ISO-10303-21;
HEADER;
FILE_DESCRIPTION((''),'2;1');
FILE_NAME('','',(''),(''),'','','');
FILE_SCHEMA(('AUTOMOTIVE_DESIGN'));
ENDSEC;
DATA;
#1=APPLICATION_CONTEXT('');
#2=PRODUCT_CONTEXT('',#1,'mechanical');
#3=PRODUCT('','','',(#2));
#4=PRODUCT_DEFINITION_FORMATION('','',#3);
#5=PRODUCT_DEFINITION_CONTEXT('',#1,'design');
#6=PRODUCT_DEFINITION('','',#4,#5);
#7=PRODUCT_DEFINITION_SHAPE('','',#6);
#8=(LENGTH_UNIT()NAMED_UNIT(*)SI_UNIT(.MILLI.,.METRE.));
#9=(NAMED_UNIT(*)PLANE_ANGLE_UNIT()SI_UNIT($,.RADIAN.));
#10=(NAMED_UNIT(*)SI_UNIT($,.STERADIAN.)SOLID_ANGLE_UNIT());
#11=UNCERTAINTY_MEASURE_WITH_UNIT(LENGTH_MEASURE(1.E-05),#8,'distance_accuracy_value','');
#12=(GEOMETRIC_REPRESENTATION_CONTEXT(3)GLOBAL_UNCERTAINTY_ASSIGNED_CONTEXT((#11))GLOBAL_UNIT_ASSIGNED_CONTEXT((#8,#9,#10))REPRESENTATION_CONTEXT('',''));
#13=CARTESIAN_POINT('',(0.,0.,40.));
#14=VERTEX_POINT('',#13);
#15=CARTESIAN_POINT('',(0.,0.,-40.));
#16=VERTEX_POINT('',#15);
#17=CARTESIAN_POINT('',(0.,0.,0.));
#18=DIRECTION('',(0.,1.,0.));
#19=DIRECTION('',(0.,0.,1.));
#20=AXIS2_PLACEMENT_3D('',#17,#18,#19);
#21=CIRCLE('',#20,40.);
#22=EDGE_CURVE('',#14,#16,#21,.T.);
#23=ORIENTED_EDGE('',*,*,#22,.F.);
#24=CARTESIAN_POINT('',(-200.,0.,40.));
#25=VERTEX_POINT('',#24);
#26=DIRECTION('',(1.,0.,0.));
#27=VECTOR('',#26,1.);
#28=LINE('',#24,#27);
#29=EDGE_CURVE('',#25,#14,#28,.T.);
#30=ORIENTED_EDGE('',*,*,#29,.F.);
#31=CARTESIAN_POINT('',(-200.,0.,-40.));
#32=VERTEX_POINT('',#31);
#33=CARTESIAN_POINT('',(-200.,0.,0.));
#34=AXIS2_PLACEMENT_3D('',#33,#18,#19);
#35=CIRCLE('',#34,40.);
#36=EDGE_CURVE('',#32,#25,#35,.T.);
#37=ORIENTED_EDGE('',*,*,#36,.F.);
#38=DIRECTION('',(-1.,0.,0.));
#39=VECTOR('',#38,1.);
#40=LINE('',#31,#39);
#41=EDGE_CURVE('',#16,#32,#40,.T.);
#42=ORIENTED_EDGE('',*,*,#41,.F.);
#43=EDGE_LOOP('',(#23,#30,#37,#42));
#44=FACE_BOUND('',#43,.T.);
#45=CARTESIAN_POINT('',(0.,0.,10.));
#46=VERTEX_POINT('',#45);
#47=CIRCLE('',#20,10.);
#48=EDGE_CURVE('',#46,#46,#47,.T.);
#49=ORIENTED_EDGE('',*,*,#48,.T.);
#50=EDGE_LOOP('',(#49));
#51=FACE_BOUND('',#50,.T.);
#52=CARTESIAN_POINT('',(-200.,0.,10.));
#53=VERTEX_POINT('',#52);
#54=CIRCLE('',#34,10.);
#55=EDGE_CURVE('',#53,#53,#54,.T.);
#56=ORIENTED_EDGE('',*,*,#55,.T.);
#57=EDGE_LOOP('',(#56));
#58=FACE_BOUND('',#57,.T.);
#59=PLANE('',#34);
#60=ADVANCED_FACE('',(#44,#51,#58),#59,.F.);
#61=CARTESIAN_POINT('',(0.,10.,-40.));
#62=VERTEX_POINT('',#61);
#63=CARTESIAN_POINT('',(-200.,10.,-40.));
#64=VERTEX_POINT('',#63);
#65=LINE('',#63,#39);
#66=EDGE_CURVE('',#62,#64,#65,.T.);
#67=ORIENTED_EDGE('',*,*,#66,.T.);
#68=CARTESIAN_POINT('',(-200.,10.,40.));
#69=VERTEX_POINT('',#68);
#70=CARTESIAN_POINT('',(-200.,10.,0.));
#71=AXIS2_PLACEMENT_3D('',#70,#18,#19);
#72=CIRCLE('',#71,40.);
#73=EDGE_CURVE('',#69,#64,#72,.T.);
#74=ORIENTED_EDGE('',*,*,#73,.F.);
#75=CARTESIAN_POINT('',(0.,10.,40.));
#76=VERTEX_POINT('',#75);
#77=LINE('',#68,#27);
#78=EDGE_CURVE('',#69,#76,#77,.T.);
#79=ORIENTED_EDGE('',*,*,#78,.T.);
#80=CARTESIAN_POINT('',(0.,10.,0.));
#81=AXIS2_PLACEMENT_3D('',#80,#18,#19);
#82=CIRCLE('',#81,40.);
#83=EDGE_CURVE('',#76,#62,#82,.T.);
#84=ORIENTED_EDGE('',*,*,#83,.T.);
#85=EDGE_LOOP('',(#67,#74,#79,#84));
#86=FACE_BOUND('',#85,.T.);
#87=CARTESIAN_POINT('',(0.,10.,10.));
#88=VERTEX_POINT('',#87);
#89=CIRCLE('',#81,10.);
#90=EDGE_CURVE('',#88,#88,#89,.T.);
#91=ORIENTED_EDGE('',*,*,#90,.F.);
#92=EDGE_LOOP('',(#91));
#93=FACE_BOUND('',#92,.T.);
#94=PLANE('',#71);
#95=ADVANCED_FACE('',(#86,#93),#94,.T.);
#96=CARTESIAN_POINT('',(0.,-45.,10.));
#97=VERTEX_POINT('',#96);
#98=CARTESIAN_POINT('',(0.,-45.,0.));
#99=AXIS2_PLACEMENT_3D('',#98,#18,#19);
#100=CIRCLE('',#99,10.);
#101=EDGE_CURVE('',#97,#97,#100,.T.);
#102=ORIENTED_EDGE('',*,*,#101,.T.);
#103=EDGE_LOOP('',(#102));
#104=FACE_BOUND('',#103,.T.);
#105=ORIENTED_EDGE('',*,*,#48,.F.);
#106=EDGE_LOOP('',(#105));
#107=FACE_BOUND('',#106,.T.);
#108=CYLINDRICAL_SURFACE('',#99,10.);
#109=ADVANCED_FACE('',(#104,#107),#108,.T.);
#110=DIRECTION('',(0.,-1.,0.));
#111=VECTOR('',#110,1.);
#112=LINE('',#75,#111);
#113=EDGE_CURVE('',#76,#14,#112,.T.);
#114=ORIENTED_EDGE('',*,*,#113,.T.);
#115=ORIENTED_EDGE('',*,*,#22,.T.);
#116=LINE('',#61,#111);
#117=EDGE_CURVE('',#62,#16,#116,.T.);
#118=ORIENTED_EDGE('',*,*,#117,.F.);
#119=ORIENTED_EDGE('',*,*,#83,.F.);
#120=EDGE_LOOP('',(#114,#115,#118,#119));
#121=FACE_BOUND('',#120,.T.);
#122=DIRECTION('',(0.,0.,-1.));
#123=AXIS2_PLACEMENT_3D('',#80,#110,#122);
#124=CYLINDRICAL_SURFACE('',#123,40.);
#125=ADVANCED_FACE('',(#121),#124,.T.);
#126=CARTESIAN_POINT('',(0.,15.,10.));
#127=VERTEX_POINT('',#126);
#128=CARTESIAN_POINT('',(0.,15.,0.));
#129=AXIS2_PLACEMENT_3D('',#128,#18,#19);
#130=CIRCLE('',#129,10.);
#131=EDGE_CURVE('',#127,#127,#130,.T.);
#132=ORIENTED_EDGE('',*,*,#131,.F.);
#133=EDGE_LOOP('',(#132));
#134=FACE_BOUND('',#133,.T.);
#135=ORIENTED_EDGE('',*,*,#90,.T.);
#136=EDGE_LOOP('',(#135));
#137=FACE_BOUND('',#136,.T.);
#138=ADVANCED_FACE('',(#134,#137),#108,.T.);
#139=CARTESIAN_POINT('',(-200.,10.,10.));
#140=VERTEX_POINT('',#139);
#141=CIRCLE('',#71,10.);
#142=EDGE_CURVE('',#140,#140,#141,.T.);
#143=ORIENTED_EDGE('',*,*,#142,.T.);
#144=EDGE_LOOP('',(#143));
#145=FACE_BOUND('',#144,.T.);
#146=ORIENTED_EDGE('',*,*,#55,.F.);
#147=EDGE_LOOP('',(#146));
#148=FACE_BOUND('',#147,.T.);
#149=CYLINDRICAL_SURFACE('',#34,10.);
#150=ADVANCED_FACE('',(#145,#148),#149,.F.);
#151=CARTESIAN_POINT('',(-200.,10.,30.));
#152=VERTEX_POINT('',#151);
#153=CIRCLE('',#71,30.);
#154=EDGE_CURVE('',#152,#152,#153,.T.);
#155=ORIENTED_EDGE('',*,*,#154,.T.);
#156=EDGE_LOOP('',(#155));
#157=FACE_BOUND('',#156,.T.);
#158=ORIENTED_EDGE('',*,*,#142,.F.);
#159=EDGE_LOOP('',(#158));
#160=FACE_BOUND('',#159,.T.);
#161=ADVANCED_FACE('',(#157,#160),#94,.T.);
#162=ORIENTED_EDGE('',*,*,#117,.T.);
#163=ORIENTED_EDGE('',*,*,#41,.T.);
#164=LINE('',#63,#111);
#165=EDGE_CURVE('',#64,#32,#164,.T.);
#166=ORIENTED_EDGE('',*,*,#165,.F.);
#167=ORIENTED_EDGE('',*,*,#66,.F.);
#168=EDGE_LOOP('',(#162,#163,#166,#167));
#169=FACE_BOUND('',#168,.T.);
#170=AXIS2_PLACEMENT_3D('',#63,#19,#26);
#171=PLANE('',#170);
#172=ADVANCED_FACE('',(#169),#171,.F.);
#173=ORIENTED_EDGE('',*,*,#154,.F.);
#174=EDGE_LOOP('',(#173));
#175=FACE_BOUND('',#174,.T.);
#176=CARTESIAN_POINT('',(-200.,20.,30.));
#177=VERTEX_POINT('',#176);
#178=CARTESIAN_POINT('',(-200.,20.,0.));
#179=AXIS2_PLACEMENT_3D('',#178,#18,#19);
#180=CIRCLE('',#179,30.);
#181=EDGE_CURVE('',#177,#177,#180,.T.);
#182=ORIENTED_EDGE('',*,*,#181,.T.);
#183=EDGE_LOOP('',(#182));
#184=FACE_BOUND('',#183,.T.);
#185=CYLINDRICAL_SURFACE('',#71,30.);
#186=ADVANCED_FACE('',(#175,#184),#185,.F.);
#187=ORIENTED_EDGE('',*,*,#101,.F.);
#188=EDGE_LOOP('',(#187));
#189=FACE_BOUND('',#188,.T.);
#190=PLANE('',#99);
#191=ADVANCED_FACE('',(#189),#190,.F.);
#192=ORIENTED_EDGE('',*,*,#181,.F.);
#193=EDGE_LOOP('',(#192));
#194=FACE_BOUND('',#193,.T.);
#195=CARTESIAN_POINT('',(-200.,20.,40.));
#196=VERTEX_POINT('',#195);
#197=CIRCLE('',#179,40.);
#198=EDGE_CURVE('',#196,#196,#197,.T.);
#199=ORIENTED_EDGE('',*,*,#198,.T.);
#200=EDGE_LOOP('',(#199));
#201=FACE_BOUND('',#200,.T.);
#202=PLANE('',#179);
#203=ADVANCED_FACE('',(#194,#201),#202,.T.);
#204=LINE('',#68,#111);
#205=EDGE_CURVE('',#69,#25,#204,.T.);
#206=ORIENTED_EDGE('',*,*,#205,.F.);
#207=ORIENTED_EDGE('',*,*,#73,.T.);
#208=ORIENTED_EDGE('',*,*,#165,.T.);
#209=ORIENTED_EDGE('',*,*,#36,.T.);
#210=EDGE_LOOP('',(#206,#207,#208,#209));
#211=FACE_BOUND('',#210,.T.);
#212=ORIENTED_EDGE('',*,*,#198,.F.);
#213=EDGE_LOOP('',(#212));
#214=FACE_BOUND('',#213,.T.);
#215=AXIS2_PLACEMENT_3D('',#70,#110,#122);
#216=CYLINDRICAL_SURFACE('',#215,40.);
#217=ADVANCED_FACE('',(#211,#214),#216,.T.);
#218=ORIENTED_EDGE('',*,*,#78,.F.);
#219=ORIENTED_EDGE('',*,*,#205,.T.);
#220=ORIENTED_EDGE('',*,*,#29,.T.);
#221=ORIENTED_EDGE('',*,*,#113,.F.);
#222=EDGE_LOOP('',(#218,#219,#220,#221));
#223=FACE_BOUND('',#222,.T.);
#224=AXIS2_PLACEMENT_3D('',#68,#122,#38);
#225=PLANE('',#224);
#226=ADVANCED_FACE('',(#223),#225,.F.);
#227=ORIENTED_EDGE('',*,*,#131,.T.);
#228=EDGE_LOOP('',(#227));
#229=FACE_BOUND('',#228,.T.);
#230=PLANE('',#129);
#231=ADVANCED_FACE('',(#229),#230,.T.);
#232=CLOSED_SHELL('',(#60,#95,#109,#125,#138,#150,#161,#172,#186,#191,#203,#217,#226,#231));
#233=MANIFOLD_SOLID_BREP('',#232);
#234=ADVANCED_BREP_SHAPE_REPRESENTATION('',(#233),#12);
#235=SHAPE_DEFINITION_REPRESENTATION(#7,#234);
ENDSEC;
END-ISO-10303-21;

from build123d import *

# Parameters (mm, degrees)
BOSS_EXTRUDE1_DEPTH      = 10
SKETCH2_R                = 40
BOSS_EXTRUDE2_DEPTH      = 10
SKETCH3_R                = 30
CUT_EXTRUDE1_DEPTH       = 10
SKETCH4_R                = 10
CUT_EXTRUDE2_DEPTH       = 10
BOSS_EXTRUDE4_DEPTH      = 5
BOSS_EXTRUDE4_DEPTH_BACK = 55
SKETCH5_R                = 10


with BuildPart() as part:
    # Sketch1 → Boss-Extrude1 (new body)
    with BuildSketch(Plane(origin=(0, 0, 0), x_dir=(1, 0, 0), z_dir=(0, 1, 0))):
        with BuildLine():
            Line((-200, 40), (0, 40))
            ThreePointArc((0, 40), (40, 0), (0, -40))
            Line((0, -40), (-200, -40))
            ThreePointArc((-200, -40), (-240, 0), (-200, 40))
        make_face()
    extrude(amount=BOSS_EXTRUDE1_DEPTH)

    # Sketch2 → Boss-Extrude2 (add)
    with BuildSketch(Plane(origin=(0, 10, 0), x_dir=(1, 0, 0), z_dir=(0, 1, 0))):
        with Locations(Location((-200, 0, 0), (0, 0, 270))):
            Circle(SKETCH2_R)
    extrude(amount=BOSS_EXTRUDE2_DEPTH)

    # Sketch3 → Cut-Extrude1 (cut)
    with BuildSketch(Plane(origin=(0, 20, 0), x_dir=(1, 0, 0), z_dir=(0, 1, 0))):
        with Locations(Location((-200, 0, 0), (0, 0, 270))):
            Circle(SKETCH3_R)
    extrude(amount=-CUT_EXTRUDE1_DEPTH, mode=Mode.SUBTRACT)

    # Sketch4 → Cut-Extrude2 (cut)
    with BuildSketch(Plane(origin=(0, 10, 0), x_dir=(1, 0, 0), z_dir=(0, 1, 0))):
        with Locations(Location((-200, 0, 0), (0, 0, 270))):
            Circle(SKETCH4_R)
    extrude(amount=-CUT_EXTRUDE2_DEPTH, mode=Mode.SUBTRACT)

    # Sketch5 → Boss-Extrude4 (add, two sides: drawn at the far end of the back side and taken through both)
    with BuildSketch(Plane(origin=(0, 10, 0), x_dir=(1, 0, 0), z_dir=(0, 1, 0)).offset(-BOSS_EXTRUDE4_DEPTH_BACK)):
        with Locations(Location((0, 0, 0), (0, 0, 270))):
            Circle(SKETCH5_R)
    extrude(amount=BOSS_EXTRUDE4_DEPTH + BOSS_EXTRUDE4_DEPTH_BACK)


solid = part.part
